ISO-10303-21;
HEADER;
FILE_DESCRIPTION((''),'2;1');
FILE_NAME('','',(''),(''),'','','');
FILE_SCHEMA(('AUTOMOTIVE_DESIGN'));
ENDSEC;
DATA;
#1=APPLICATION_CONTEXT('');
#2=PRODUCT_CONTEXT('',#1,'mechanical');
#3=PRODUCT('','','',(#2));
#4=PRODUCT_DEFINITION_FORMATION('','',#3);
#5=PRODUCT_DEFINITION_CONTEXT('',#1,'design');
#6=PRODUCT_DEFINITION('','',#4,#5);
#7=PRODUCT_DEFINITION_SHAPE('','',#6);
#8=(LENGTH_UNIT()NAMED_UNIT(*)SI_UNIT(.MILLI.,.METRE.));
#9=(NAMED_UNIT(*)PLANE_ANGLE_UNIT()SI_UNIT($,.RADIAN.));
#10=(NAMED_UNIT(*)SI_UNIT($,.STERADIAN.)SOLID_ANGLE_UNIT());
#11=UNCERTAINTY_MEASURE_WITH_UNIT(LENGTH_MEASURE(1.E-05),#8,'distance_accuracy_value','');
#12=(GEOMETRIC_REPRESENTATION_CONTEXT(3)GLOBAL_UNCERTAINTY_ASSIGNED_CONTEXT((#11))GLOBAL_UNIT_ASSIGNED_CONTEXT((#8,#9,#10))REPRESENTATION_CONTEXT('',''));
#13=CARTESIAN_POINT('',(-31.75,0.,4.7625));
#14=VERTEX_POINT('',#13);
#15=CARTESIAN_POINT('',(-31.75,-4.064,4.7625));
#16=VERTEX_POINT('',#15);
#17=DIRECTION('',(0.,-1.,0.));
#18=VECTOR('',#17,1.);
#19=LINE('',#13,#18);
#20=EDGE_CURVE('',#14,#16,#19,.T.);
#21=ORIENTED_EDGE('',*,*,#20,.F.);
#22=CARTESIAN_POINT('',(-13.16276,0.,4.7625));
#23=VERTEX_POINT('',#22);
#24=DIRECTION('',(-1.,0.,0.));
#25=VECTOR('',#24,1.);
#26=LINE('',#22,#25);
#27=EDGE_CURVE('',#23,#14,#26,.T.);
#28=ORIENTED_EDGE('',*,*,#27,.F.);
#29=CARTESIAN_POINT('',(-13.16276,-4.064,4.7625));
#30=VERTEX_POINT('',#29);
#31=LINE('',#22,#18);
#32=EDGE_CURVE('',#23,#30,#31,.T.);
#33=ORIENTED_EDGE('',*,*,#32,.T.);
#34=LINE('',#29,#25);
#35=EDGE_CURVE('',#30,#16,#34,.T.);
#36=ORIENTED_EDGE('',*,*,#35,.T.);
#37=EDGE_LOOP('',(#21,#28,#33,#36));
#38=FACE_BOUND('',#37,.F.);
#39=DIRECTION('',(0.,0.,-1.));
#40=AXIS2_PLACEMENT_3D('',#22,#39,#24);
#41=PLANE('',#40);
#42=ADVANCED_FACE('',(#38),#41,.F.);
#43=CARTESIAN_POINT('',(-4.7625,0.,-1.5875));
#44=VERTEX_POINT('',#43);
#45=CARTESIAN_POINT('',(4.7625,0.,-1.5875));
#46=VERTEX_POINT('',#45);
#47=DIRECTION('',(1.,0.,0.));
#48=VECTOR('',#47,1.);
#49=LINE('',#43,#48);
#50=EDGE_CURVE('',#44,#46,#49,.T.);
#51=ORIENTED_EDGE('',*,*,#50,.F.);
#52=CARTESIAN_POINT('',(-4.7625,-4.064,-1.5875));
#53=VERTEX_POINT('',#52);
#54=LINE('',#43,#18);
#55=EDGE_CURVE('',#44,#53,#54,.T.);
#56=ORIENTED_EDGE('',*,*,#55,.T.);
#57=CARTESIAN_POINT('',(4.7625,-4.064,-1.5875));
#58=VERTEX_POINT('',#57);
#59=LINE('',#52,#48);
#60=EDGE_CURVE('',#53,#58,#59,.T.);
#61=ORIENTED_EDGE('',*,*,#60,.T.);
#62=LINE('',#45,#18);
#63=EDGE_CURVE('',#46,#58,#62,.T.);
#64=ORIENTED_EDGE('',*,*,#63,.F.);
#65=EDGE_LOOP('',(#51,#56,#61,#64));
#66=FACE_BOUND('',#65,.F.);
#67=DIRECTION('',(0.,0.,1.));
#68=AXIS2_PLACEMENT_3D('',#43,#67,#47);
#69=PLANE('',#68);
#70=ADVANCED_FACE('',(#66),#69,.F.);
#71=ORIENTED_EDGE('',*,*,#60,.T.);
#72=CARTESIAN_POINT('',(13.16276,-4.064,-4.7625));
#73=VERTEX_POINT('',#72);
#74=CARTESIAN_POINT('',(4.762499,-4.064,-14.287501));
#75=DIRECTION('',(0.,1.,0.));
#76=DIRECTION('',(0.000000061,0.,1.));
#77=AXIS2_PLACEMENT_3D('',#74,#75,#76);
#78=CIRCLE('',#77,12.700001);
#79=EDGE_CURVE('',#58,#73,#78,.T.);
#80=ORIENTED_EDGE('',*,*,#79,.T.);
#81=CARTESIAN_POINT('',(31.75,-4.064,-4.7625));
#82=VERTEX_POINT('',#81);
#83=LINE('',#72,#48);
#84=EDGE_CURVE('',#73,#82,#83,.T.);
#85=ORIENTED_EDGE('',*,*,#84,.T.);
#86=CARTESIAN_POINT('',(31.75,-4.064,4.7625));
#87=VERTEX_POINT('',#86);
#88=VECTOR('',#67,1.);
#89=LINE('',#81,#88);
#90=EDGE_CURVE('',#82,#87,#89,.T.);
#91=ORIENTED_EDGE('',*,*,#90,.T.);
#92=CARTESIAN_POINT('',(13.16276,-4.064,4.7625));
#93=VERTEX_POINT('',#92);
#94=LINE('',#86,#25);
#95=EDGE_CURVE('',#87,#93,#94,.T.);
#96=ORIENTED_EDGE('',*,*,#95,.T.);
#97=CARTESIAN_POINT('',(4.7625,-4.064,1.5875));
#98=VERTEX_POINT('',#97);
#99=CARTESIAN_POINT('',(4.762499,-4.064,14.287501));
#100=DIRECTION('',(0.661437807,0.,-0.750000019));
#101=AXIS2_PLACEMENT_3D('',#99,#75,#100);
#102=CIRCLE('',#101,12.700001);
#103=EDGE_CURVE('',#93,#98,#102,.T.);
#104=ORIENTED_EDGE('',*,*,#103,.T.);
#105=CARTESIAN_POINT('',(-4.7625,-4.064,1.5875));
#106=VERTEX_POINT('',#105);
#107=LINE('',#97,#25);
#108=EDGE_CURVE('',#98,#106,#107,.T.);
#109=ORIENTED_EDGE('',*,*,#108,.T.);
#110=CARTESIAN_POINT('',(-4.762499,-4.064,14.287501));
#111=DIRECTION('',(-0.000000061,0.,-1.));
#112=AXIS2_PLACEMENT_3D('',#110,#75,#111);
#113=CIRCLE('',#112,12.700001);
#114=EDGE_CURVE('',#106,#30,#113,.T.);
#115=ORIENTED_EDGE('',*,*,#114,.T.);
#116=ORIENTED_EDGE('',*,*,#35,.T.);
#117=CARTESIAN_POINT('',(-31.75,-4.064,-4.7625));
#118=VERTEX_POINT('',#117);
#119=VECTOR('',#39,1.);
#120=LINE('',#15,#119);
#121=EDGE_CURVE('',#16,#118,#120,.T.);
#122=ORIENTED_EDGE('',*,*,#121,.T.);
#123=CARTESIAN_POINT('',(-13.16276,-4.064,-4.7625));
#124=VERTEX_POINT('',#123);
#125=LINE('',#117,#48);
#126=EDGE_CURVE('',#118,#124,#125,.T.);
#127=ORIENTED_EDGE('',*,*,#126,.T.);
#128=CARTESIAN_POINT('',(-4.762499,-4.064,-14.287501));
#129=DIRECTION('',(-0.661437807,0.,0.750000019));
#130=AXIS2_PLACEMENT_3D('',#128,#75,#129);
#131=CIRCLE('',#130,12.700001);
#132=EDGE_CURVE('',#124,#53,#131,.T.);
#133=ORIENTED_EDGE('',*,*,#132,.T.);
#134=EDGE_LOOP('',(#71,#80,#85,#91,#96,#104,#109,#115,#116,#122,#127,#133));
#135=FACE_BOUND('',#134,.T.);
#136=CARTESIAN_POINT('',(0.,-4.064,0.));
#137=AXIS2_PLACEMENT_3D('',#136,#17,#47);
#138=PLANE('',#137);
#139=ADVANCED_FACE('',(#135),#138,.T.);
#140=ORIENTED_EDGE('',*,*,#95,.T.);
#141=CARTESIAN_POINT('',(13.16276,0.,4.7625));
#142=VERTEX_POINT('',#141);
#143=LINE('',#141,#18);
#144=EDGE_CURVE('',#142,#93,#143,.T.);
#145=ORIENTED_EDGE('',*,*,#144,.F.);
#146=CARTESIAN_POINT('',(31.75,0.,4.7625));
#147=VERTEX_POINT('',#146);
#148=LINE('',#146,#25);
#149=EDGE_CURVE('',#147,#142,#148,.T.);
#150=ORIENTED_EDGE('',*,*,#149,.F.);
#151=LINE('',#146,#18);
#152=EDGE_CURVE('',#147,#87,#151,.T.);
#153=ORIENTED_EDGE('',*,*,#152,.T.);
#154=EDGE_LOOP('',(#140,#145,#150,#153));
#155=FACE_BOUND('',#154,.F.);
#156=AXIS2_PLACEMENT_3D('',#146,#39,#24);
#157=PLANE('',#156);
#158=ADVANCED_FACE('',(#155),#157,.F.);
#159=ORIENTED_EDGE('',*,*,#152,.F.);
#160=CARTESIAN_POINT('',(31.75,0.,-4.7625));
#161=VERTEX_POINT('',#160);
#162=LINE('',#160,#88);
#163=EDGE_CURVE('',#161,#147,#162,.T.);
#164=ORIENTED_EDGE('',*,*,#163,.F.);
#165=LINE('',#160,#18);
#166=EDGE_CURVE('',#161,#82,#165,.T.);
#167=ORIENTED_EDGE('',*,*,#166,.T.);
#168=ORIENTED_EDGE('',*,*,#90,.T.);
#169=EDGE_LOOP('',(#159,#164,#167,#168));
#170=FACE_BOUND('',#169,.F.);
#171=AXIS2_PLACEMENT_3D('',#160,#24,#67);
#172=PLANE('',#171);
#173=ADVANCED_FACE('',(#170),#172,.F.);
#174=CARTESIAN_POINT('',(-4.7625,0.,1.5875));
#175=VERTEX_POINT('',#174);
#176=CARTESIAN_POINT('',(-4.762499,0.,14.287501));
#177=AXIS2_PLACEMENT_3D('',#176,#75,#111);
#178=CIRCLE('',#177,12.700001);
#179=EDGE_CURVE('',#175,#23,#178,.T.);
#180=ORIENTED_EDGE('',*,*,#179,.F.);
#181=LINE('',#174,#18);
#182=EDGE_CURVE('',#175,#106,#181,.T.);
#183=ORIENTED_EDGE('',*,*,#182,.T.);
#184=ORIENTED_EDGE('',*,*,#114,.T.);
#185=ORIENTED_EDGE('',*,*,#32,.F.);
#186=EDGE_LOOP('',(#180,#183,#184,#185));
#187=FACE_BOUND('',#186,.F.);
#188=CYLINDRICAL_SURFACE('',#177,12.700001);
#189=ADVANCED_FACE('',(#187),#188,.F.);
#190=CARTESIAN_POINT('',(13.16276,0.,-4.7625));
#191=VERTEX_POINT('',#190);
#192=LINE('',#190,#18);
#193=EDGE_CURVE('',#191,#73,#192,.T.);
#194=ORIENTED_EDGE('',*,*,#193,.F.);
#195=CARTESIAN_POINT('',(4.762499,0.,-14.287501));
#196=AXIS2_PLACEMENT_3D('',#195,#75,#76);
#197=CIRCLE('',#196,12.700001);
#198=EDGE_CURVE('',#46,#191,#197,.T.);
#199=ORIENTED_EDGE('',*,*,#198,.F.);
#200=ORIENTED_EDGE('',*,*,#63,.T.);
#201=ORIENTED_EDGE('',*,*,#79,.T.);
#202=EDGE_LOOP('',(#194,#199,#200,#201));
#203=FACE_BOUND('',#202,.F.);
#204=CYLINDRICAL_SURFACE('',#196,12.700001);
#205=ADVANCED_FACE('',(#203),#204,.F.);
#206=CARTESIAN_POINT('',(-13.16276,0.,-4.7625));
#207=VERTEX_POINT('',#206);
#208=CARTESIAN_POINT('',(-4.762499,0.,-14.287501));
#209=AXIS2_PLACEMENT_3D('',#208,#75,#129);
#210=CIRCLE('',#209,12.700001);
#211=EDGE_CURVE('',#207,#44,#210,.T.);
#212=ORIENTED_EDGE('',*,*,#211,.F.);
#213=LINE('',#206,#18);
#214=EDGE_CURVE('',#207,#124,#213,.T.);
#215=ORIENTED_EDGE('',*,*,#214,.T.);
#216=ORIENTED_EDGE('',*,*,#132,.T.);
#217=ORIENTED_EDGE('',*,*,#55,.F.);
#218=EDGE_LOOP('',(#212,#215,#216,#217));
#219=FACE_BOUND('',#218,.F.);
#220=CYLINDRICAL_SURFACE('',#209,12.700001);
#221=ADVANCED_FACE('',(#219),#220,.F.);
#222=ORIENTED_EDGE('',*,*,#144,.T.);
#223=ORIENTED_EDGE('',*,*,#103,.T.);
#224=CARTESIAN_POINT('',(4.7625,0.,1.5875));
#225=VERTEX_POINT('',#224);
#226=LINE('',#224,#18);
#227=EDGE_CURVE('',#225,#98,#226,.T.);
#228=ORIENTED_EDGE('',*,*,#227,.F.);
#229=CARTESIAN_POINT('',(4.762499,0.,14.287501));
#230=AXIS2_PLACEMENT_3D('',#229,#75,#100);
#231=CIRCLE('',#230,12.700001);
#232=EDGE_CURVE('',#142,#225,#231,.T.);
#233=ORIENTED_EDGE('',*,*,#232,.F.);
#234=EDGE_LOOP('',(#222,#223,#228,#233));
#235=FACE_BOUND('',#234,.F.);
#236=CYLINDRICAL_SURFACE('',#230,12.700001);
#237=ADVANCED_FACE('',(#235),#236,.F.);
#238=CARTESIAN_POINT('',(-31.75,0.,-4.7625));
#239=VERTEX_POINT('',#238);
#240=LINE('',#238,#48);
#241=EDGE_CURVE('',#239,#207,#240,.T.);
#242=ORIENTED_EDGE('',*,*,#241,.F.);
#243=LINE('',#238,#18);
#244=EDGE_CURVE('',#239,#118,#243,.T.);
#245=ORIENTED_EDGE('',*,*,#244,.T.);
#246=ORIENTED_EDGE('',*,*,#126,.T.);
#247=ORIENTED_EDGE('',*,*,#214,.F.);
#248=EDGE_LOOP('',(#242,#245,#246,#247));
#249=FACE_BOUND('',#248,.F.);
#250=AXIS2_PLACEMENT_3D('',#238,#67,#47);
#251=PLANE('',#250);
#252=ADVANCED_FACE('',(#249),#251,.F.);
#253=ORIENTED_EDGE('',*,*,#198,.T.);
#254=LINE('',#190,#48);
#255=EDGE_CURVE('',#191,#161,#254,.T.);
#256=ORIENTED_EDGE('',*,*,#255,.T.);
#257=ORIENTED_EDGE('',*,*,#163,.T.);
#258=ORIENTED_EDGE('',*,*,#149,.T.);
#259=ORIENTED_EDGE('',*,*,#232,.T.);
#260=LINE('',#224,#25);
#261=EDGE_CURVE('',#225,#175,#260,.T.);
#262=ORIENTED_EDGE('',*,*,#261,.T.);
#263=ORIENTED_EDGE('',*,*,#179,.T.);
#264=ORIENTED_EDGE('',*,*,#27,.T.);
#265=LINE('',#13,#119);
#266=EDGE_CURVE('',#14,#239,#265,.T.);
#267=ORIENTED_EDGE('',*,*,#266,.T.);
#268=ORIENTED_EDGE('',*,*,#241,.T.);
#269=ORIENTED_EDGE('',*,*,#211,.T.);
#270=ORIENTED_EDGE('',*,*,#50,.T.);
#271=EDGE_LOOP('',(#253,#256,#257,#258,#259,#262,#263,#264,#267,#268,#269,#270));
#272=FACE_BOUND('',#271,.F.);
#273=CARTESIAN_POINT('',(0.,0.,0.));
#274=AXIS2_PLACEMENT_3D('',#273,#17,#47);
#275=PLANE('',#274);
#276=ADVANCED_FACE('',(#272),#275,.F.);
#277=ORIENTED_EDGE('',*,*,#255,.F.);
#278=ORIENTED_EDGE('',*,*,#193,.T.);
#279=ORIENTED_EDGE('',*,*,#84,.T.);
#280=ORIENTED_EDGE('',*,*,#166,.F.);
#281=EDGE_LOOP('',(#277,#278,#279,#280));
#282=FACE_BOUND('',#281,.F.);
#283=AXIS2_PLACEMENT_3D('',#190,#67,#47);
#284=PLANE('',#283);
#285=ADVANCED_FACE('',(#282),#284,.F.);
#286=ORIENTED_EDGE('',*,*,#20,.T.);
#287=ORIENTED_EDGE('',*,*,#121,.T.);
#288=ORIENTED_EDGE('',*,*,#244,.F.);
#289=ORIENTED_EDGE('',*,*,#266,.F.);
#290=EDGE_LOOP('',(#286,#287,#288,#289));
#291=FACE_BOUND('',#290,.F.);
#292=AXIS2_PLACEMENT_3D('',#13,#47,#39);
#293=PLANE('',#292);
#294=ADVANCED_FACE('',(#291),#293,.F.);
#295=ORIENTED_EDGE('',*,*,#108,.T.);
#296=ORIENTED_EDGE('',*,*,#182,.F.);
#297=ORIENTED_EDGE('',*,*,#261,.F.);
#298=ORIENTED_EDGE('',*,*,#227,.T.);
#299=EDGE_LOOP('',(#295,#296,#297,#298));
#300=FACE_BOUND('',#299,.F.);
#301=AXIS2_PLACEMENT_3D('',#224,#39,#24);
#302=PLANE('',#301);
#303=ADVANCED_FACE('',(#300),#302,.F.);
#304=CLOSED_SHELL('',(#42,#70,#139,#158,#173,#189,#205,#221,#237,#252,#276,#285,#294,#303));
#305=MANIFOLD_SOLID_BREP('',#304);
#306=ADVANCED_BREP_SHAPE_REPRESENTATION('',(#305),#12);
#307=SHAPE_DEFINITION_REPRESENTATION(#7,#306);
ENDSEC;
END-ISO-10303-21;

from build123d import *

# Parameters (mm, degrees)
F1_DEPTH = 4.064


with BuildPart() as f1:
    # F0 (on Front) → F1 (new body)
    with BuildSketch(Plane.XZ):
        with BuildLine():
            Line((4.7625, 1.5875), (0, 1.5875))
            Line((0, 1.5875), (-4.7625, 1.5875))
            ThreePointArc((-4.7625, 1.5875), (-9.252628, 2.407738), (-13.16276, 4.7625))
            Line((-13.16276, 4.7625), (-31.75, 4.7625))
            Line((-31.75, 4.7625), (-31.75, 0))
            Line((-31.75, 0), (-31.75, -4.7625))
            Line((-31.75, -4.7625), (-13.16276, -4.7625))
            ThreePointArc((-13.16276, -4.7625), (-9.252628, -2.407738), (-4.7625, -1.5875))
            Line((-4.7625, -1.5875), (0, -1.5875))
            Line((0, -1.5875), (4.7625, -1.5875))
            ThreePointArc((4.7625, -1.5875), (9.252628, -2.407738), (13.16276, -4.7625))
            Line((13.16276, -4.7625), (31.75, -4.7625))
            Line((31.75, -4.7625), (31.75, 0))
            Line((31.75, 0), (31.75, 4.7625))
            Line((31.75, 4.7625), (13.16276, 4.7625))
            ThreePointArc((13.16276, 4.7625), (9.252628, 2.407738), (4.7625, 1.5875))
        make_face()
    extrude(amount=F1_DEPTH)


solid = f1.part
